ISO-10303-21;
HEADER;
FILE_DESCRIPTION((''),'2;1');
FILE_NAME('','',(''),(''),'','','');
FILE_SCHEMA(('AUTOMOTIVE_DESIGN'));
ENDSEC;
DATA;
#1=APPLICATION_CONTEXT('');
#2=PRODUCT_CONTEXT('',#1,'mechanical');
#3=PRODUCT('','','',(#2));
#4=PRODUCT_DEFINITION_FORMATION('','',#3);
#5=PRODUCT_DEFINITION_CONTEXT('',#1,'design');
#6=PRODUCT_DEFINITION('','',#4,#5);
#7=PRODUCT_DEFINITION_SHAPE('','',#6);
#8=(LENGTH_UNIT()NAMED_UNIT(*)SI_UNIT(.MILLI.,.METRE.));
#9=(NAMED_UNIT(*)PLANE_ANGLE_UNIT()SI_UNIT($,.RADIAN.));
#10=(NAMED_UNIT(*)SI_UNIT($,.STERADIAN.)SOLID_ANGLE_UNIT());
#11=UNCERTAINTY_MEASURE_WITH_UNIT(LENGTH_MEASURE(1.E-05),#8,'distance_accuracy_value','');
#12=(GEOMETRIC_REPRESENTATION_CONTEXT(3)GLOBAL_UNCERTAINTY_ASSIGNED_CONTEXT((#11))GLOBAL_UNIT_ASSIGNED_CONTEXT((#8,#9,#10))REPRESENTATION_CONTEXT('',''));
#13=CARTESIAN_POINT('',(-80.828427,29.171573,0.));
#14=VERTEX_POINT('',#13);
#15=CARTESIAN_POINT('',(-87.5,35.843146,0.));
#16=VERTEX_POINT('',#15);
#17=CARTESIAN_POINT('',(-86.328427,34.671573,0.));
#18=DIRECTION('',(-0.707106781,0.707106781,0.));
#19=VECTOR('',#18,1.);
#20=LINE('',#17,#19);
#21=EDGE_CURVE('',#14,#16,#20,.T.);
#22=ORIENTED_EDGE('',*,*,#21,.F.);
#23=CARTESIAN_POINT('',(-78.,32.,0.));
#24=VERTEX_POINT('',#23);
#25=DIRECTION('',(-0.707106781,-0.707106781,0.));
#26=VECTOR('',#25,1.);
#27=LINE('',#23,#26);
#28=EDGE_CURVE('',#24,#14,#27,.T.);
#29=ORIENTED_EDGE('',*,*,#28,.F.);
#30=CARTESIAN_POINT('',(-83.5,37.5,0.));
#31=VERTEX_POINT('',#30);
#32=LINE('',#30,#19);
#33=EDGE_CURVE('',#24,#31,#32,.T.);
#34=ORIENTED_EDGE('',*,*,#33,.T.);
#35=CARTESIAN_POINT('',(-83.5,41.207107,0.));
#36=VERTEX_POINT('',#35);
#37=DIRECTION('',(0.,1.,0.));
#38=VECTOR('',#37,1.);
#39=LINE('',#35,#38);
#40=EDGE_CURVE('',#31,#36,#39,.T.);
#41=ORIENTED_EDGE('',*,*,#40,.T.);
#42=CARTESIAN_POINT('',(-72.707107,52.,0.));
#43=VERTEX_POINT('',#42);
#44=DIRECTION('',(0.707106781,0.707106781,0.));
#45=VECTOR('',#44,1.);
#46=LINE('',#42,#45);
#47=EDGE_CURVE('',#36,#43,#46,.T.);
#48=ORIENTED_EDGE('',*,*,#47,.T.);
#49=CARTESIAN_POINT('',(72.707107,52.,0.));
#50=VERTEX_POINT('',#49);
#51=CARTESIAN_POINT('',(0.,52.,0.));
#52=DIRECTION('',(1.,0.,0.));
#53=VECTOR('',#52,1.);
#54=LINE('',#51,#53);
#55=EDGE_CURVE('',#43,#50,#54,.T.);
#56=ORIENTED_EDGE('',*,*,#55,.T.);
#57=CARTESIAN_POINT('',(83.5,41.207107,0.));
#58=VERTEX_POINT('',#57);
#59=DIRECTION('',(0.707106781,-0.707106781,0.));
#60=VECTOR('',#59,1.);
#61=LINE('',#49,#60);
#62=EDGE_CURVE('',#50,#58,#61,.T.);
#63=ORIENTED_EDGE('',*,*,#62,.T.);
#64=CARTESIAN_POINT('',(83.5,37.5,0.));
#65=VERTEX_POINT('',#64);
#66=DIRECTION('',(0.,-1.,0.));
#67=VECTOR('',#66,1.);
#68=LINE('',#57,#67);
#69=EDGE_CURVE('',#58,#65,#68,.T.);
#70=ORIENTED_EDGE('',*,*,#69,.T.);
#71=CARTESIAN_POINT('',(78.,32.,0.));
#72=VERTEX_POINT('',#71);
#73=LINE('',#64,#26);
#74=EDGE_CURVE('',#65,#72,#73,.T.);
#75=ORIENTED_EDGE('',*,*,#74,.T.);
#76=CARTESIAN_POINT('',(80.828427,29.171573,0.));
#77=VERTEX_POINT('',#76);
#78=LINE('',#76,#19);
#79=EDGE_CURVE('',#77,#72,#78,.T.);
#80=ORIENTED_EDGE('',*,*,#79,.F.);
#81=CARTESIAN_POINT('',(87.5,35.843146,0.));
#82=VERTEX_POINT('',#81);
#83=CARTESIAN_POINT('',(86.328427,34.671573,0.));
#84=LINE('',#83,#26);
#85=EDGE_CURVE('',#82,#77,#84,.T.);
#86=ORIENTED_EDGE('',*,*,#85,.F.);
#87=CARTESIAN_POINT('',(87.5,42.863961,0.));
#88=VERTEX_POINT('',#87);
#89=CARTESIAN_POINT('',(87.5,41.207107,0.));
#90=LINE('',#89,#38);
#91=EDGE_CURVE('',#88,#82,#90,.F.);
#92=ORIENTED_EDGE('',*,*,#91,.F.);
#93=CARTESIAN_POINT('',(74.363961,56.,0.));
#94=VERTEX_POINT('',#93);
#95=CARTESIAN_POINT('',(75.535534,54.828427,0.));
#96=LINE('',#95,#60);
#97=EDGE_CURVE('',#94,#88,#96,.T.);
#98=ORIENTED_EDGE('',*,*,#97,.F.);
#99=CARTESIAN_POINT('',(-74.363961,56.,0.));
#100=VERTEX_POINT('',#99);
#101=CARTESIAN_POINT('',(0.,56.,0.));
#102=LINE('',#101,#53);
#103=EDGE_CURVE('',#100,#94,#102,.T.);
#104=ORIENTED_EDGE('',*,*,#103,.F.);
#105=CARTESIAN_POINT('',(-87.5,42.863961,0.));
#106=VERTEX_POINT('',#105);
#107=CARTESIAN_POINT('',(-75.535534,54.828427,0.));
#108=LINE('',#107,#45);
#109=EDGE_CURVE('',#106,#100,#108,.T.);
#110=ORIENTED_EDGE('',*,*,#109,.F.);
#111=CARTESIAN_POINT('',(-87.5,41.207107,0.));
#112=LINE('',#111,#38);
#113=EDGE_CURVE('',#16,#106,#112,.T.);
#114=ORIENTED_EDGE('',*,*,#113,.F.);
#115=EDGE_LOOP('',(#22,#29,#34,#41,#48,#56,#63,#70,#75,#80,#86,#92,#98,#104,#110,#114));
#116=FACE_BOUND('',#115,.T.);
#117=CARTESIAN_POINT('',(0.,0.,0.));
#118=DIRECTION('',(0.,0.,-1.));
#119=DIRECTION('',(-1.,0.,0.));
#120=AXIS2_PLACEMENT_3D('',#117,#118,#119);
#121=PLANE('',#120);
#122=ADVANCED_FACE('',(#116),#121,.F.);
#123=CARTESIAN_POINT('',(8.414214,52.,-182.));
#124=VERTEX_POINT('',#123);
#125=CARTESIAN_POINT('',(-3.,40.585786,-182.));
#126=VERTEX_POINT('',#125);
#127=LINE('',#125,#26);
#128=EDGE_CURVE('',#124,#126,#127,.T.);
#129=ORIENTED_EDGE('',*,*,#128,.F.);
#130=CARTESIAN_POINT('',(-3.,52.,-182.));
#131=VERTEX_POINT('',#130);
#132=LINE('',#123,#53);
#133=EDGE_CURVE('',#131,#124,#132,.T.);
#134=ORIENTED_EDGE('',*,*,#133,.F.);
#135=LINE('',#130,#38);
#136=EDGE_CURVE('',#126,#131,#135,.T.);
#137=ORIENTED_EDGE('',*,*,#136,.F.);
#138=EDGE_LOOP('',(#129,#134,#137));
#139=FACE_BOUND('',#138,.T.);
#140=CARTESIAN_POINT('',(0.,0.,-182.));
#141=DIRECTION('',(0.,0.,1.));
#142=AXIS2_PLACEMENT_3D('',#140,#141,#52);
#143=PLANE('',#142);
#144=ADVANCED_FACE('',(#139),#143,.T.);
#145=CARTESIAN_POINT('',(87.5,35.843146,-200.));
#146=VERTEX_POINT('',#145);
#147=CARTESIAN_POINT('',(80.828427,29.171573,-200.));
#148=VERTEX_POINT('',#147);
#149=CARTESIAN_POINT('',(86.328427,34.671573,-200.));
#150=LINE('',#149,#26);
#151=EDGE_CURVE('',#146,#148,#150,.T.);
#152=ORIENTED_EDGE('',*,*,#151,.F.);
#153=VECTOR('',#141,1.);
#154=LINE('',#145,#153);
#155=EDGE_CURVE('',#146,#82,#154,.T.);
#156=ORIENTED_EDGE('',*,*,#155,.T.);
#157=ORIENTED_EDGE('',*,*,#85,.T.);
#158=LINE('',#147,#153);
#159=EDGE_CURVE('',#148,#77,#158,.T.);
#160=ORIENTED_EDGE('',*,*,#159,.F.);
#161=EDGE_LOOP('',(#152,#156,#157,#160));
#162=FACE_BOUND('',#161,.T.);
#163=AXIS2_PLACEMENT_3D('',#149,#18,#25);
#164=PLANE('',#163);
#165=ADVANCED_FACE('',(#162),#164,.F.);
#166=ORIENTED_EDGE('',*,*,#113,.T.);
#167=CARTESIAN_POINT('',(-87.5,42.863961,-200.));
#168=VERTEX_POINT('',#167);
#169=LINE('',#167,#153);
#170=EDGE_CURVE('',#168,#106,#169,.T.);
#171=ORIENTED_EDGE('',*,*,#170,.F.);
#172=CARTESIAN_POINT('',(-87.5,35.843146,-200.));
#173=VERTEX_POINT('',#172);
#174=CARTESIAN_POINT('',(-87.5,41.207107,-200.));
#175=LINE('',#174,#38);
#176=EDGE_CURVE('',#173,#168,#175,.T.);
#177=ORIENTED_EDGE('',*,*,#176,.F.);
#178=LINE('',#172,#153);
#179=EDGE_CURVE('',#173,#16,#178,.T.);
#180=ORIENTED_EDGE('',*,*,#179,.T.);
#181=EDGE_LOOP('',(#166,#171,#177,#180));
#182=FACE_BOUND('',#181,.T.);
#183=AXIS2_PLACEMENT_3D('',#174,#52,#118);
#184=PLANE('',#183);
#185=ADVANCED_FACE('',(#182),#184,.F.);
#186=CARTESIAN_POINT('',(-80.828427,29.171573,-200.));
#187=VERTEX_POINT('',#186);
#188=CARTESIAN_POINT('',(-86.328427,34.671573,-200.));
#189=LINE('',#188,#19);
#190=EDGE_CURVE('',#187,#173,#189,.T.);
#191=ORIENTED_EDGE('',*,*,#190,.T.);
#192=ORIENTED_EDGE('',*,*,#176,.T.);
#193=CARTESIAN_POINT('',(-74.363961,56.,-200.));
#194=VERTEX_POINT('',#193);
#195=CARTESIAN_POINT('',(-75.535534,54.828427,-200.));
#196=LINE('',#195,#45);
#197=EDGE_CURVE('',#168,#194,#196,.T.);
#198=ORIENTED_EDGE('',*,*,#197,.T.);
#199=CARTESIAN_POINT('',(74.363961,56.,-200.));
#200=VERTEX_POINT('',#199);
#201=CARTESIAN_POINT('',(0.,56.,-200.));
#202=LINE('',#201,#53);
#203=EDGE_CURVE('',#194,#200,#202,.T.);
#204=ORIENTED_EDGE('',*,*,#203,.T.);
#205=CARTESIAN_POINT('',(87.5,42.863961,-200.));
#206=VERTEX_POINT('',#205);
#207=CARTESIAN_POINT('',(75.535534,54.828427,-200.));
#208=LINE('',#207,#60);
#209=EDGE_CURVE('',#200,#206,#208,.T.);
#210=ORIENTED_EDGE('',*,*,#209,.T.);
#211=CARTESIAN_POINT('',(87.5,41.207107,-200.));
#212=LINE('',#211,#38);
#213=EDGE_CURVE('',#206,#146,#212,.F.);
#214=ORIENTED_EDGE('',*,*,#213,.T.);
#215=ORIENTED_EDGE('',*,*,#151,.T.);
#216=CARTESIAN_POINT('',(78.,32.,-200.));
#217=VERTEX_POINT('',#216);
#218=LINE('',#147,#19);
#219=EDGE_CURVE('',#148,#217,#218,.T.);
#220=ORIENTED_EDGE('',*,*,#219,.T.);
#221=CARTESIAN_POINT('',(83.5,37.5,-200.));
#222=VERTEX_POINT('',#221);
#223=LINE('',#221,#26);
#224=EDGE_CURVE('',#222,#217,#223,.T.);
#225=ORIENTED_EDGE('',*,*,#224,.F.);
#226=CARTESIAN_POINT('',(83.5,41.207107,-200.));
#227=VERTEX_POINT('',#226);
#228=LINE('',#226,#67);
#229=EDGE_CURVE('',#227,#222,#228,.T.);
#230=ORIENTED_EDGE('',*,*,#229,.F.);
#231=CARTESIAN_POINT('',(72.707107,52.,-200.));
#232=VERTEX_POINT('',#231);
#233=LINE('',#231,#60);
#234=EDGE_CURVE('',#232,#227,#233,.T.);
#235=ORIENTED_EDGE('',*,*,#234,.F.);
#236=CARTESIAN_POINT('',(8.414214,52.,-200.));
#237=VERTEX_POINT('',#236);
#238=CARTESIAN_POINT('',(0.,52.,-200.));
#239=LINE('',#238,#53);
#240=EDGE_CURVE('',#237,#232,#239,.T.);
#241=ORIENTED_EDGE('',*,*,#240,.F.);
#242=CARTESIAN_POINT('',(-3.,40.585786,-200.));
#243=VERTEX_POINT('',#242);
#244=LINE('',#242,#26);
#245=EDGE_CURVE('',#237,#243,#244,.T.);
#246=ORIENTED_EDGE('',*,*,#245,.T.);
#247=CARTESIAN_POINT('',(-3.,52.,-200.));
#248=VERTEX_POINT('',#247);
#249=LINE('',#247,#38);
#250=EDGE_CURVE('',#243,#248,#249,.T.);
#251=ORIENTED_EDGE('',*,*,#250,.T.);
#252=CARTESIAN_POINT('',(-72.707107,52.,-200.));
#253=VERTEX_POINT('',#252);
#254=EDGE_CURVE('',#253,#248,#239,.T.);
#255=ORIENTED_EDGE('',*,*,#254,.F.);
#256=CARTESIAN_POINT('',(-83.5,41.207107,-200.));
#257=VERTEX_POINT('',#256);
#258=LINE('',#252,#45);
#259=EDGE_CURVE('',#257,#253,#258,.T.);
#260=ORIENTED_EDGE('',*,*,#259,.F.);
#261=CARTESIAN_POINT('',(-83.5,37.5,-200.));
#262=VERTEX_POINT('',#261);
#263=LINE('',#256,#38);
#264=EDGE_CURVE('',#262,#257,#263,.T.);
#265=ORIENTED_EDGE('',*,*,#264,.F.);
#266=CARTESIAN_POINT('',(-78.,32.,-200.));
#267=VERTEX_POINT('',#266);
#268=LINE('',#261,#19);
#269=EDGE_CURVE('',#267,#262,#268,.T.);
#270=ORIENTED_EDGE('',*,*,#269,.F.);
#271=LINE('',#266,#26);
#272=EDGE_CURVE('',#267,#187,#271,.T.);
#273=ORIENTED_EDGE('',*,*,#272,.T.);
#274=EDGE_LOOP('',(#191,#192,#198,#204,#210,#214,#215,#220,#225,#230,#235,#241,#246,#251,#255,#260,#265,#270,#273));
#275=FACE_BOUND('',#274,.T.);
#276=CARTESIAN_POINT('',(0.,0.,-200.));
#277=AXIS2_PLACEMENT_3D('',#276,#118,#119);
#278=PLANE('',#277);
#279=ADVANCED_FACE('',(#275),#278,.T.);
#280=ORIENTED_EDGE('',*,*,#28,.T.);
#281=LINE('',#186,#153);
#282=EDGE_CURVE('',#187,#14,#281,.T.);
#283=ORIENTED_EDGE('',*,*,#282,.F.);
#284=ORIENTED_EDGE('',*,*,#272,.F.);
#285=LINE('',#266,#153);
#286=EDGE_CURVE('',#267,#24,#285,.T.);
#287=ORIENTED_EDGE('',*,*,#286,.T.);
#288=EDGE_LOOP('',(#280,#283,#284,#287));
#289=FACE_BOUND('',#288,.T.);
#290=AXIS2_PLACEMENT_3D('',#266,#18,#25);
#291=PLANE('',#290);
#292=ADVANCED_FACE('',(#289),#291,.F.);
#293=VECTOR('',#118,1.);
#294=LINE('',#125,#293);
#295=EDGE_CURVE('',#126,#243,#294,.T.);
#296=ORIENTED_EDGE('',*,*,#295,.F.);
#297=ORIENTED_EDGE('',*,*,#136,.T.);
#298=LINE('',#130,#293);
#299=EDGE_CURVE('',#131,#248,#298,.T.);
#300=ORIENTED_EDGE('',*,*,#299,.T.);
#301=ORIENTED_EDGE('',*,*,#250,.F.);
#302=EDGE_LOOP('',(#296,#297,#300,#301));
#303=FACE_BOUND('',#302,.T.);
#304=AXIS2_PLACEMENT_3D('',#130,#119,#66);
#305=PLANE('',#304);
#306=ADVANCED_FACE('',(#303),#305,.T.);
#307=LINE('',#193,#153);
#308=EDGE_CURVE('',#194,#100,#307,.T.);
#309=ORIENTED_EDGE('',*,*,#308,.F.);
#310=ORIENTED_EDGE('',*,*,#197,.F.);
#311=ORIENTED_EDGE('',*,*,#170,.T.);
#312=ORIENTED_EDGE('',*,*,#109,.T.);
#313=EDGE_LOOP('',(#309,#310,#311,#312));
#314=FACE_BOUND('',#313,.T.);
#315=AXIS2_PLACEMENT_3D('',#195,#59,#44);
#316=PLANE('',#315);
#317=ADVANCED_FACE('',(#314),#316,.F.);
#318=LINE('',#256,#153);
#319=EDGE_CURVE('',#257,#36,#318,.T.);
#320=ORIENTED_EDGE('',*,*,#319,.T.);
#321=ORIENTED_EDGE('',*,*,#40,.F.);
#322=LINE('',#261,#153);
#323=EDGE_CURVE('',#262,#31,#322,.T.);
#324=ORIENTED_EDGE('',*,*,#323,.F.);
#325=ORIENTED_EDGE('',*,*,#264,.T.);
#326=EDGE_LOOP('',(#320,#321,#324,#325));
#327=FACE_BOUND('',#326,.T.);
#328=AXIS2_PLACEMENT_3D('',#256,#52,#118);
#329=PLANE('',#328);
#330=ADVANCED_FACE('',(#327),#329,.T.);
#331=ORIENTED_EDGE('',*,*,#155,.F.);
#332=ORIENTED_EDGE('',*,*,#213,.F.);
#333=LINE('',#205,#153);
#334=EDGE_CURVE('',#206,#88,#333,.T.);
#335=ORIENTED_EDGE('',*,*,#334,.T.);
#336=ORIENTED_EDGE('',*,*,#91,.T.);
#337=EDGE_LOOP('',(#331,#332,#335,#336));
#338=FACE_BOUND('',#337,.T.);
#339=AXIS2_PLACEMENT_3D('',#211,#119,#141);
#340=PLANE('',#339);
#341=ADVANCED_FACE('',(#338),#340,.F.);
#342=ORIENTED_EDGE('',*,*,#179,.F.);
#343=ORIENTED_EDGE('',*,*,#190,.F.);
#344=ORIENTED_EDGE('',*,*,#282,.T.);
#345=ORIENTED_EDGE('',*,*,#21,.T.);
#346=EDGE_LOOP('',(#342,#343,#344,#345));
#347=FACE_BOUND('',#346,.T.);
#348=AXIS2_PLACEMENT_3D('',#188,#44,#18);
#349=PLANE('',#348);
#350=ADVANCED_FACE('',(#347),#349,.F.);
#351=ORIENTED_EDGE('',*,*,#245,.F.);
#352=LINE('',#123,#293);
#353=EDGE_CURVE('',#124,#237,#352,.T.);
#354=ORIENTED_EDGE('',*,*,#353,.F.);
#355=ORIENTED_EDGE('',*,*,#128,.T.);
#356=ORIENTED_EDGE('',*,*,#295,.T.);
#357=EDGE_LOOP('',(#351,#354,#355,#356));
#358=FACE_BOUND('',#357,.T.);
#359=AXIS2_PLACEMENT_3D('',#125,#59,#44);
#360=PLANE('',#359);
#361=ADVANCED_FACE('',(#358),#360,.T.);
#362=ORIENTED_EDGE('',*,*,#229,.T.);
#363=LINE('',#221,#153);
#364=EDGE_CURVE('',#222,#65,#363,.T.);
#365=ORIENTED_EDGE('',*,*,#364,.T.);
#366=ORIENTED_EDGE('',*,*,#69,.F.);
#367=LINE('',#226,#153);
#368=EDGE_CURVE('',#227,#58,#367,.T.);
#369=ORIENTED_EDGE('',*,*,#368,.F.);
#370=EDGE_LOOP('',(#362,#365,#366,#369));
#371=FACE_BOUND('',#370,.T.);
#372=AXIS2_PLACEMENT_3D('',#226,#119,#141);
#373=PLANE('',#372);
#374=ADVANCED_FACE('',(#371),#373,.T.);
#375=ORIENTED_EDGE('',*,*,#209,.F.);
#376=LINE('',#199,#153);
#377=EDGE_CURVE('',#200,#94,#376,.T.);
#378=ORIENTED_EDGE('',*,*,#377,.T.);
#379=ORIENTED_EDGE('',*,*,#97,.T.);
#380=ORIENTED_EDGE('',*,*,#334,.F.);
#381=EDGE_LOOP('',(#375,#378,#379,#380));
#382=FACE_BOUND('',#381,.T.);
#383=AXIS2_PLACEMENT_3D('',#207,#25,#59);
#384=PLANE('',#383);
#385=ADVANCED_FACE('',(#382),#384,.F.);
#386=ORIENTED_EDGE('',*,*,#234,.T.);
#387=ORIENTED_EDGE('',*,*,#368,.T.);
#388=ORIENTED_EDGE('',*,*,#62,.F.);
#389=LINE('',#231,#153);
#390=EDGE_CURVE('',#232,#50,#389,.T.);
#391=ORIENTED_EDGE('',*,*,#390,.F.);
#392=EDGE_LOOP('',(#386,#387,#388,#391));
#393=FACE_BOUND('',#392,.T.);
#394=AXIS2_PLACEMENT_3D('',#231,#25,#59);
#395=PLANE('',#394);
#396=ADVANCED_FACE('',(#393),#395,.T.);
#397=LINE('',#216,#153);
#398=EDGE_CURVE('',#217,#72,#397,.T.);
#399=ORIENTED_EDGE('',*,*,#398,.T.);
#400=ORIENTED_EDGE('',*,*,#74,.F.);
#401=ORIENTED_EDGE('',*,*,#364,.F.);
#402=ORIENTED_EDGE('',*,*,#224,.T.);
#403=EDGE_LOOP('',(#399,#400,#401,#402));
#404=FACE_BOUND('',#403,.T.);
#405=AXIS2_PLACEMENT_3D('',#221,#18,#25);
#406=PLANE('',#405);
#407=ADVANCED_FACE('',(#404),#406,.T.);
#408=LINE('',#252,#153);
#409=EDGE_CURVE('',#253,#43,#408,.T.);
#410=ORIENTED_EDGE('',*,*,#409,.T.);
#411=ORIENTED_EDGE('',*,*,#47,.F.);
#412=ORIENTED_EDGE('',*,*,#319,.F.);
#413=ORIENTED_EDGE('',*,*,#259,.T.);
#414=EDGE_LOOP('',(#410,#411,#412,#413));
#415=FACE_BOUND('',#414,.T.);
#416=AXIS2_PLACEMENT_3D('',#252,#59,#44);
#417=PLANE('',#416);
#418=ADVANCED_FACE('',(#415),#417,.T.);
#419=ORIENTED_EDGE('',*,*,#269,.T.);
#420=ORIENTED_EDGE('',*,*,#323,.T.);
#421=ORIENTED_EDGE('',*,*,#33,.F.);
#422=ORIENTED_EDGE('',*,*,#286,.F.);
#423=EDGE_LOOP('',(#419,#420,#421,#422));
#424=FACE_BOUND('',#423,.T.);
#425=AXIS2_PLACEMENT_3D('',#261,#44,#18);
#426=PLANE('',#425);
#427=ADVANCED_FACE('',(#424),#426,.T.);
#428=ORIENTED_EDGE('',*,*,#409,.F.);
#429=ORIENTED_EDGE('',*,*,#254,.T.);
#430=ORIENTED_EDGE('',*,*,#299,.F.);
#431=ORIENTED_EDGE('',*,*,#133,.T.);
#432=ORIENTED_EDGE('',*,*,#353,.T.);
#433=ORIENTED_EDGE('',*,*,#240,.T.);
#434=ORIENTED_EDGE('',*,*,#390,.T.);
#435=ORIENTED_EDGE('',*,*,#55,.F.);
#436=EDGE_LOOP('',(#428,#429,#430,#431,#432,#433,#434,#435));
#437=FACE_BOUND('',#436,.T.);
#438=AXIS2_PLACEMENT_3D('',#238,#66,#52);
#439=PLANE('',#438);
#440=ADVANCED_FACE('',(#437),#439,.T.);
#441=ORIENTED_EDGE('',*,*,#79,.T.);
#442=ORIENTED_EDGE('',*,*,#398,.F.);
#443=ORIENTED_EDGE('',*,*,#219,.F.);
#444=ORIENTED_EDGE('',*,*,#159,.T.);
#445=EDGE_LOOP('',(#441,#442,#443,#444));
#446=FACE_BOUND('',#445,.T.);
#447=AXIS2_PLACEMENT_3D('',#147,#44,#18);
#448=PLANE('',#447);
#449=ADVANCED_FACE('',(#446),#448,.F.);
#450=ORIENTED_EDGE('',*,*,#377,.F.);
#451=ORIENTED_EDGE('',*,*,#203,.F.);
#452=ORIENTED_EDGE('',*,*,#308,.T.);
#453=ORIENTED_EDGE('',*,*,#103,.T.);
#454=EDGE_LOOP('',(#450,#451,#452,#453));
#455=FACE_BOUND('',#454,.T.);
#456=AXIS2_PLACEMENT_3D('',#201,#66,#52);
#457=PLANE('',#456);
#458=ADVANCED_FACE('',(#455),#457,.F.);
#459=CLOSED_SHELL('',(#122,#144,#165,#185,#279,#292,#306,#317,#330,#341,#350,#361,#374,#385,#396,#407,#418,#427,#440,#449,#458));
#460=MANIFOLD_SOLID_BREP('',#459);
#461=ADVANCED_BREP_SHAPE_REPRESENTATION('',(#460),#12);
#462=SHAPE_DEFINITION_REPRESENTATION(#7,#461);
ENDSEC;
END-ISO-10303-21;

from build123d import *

# Parameters (mm, degrees)
EXTRUDE_1_DEPTH   = 200
EXTRUDE_1_2_DEPTH = 18


with BuildPart() as part:
    # 草图1 → Extrude 1 (new body)
    with BuildSketch(Plane.XY):
        Polygon((78, 32), (83.5, 37.5), (83.5, 41.207106781), (72.707106781, 52), (0, 52), (-72.707106781, 52), (-83.5, 41.207106781), (-83.5, 37.5), (-78, 32), (-80.828427125, 29.171572875), (-87.5, 35.843145751), (-87.5, 42.863961031), (-74.363961031, 56), (0, 56), (74.363961031, 56), (87.5, 42.863961031), (87.5, 35.843145751), (80.828427125, 29.171572875), align=None)
    extrude(amount=-EXTRUDE_1_DEPTH)

    # 草图2 → Extrude 1 2 (add)
    with BuildSketch(Plane(origin=(0, 0, -200), x_dir=(-1, 0, 0), z_dir=(0, 0, -1))):
        Polygon((-8.414213562, 52), (3, 52), (3, 40.585786438), align=None)
    extrude(amount=-EXTRUDE_1_2_DEPTH)


solid = part.part
